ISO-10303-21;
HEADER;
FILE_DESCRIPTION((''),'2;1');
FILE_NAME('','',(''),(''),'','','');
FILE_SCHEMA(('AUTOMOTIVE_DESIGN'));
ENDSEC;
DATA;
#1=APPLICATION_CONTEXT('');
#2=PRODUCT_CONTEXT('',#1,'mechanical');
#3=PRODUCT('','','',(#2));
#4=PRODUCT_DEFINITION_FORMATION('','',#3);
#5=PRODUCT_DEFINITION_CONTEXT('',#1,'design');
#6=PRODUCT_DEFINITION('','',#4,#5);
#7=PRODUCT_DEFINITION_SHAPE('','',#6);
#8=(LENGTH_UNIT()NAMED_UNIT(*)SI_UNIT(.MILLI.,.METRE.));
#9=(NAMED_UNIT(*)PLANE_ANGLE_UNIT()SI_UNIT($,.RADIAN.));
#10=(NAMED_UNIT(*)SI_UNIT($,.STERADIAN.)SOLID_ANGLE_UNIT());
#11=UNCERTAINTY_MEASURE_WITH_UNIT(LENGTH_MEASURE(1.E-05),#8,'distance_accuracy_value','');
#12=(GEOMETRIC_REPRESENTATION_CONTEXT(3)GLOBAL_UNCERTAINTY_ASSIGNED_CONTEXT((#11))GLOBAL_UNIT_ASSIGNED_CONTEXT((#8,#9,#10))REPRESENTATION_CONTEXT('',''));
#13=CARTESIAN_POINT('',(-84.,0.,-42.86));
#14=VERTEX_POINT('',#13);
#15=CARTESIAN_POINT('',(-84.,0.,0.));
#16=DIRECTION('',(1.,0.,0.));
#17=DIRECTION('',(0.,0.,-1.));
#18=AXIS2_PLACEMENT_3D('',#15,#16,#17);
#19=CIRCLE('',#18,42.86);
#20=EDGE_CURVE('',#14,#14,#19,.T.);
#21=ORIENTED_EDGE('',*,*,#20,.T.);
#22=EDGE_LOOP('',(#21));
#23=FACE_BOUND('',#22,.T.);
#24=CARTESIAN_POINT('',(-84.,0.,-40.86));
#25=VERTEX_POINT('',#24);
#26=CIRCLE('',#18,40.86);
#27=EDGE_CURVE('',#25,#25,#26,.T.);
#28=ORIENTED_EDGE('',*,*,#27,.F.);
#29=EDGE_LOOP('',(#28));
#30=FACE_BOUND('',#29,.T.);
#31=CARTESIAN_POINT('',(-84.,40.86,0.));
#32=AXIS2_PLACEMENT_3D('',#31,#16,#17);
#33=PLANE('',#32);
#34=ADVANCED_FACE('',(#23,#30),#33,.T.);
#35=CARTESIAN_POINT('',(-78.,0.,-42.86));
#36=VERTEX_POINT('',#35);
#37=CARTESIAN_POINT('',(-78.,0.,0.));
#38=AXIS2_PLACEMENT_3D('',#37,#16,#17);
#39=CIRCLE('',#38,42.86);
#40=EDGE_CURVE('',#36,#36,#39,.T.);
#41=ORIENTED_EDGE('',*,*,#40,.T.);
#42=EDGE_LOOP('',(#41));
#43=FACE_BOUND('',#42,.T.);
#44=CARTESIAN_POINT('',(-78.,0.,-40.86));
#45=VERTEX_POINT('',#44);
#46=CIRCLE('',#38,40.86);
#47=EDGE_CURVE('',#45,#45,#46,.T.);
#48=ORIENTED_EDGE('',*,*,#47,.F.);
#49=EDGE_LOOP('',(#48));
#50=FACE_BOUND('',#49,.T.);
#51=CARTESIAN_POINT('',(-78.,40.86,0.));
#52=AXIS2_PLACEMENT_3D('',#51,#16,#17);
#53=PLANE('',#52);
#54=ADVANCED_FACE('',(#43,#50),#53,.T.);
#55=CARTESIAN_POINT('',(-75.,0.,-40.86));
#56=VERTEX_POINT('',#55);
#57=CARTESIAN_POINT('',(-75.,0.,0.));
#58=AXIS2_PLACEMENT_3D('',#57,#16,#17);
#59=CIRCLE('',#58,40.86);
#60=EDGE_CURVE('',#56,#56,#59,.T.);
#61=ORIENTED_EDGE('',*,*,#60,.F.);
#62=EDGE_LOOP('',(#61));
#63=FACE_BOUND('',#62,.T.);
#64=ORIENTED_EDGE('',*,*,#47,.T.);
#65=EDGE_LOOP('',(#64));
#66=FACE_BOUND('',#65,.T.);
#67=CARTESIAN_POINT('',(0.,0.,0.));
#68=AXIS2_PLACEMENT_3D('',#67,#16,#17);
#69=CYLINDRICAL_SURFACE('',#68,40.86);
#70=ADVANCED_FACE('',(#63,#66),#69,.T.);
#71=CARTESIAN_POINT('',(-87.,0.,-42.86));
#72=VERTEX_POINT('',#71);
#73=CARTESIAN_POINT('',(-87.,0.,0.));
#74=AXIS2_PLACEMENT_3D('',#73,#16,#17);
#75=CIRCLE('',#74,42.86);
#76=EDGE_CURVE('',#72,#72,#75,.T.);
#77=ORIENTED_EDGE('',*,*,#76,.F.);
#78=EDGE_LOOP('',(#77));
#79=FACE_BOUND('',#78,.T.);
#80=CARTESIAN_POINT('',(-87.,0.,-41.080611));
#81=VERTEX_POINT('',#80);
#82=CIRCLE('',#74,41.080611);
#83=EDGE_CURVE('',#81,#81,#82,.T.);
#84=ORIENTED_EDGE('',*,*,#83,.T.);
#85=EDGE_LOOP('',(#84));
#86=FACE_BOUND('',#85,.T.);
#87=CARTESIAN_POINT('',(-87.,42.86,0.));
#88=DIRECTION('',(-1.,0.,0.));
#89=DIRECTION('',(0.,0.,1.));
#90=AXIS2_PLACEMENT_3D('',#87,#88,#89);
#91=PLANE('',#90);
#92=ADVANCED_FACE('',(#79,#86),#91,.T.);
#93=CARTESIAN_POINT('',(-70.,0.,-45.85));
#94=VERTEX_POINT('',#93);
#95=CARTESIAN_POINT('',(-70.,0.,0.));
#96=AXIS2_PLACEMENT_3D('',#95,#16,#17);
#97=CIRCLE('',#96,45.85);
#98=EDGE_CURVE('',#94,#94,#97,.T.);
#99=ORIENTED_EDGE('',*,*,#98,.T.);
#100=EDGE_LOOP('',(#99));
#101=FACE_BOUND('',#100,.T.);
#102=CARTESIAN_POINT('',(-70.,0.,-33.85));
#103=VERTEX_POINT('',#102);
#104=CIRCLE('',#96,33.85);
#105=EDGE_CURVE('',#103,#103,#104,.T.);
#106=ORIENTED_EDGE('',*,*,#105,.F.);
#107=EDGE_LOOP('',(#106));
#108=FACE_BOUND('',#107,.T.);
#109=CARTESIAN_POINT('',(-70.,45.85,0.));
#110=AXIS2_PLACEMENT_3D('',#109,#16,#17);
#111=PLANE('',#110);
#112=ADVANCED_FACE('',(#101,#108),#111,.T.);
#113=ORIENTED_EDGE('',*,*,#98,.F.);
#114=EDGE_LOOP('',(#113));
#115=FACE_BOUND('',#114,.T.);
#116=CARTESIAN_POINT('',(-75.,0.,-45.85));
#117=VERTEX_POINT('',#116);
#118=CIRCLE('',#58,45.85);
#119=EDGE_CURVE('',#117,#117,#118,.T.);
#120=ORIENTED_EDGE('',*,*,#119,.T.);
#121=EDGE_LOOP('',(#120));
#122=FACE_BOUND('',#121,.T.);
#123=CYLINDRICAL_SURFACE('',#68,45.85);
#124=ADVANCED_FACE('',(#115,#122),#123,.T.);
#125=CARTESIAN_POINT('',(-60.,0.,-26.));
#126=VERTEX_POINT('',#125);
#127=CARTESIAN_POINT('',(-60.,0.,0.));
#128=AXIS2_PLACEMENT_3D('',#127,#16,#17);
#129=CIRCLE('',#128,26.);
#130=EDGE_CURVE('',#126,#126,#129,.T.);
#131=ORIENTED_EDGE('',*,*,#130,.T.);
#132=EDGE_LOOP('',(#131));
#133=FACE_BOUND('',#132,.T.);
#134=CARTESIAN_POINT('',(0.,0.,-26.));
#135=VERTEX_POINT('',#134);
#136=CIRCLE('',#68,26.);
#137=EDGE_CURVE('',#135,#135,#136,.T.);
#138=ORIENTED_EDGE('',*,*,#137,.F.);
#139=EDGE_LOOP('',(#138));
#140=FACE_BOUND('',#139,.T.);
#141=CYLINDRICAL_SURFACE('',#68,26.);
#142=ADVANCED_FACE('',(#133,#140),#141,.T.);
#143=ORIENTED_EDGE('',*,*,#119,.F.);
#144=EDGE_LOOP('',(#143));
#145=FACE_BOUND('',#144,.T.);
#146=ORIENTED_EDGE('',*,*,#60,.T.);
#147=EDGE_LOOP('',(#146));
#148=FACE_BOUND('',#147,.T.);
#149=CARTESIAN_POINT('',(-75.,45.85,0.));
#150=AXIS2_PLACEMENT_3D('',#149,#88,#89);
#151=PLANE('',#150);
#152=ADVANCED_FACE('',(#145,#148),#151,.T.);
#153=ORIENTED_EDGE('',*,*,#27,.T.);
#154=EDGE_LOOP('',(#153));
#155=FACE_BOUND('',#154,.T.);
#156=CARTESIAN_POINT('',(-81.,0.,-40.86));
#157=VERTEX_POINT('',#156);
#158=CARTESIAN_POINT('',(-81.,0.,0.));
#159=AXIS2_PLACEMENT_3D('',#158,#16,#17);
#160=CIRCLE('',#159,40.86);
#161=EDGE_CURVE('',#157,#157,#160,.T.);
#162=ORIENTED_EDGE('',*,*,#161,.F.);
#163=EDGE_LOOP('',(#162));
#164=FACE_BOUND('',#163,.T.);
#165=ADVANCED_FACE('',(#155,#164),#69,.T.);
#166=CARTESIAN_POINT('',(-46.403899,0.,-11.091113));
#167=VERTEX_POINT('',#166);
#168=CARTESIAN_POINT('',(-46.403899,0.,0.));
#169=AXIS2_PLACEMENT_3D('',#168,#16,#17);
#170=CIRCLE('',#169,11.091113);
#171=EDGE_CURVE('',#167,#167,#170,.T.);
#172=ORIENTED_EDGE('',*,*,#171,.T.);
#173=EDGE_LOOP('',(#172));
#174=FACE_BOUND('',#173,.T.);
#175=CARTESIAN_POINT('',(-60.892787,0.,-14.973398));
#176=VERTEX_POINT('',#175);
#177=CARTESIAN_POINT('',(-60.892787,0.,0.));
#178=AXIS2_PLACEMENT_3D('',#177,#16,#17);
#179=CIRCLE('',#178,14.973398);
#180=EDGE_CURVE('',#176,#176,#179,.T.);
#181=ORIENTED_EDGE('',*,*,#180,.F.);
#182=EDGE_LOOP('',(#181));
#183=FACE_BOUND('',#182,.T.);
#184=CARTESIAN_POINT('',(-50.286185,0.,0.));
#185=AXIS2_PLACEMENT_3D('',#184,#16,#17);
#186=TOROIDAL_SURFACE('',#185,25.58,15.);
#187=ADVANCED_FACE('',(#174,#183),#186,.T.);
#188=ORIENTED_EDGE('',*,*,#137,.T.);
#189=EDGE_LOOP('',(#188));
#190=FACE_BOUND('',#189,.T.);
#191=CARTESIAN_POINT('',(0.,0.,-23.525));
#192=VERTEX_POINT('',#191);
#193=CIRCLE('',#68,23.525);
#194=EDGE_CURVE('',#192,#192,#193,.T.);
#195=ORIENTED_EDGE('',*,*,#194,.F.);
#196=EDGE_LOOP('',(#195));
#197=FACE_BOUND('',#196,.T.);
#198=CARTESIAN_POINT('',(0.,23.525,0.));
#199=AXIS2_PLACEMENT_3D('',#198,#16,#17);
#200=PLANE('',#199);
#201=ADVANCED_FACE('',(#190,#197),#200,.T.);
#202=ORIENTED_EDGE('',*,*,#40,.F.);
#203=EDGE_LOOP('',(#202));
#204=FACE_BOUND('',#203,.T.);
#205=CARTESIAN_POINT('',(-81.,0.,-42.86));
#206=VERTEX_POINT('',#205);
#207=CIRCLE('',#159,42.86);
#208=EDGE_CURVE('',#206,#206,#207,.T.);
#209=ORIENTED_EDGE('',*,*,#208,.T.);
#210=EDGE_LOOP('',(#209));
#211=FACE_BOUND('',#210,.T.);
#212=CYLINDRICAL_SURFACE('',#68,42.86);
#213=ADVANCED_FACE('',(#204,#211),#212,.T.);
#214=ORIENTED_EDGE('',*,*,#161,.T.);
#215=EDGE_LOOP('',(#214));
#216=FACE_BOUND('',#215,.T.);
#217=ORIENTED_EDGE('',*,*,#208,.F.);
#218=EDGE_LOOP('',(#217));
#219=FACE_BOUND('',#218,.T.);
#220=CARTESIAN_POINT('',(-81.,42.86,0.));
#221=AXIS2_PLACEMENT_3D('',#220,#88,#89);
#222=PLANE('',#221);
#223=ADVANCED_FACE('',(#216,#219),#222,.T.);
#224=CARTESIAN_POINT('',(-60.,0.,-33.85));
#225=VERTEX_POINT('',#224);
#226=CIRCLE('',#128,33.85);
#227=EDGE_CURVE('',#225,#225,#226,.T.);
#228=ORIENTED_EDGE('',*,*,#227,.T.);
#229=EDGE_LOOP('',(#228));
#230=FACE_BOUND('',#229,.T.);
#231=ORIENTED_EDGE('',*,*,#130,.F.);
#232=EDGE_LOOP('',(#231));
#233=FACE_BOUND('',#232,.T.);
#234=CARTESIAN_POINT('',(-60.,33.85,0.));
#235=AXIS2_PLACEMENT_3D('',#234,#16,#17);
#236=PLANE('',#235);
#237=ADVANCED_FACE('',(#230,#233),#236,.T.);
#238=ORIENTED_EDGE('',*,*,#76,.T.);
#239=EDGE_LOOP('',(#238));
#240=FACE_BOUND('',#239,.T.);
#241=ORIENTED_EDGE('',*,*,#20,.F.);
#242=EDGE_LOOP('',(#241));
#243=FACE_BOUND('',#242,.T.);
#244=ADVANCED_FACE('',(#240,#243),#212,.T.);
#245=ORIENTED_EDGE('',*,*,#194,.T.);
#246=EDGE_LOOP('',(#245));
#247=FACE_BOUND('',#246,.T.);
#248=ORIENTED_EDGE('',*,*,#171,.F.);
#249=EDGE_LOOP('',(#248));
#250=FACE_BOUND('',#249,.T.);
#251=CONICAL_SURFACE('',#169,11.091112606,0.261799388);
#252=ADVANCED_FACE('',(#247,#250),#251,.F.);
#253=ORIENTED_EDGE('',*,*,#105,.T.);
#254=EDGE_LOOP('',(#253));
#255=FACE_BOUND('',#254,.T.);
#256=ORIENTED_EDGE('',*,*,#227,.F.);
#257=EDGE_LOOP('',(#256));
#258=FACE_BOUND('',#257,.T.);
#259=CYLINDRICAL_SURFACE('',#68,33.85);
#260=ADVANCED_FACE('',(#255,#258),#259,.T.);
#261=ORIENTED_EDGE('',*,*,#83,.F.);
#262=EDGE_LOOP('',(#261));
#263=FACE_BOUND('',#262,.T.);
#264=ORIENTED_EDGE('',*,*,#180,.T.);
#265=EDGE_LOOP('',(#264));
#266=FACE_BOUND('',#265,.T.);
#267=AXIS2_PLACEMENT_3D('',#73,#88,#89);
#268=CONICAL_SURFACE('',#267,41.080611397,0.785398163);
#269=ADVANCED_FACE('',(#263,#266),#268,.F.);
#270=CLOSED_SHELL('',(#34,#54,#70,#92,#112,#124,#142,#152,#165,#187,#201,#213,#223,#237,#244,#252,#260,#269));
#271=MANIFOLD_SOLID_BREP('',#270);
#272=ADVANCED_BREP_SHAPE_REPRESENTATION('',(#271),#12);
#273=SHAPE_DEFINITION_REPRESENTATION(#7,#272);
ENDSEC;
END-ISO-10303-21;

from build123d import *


with BuildPart() as part:
    # Sketch1 → Revolve1 (revolve)
    with BuildSketch(Plane.XY):
        with BuildLine():
            Line((-87, 41.080611397), (-60.892786886, 14.973398282))
            ThreePointArc((-60.892786886, 14.973398282), (-54.168470844, 11.091112606), (-46.403899491, 11.091112606))
            Line((-46.403899491, 11.091112606), (0, 23.525))
            Line((0, 23.525), (0, 26))
            Line((0, 26), (-60, 26))
            Line((-60, 26), (-60, 33.85))
            Line((-60, 33.85), (-70, 33.85))
            Line((-70, 33.85), (-70, 45.85))
            Line((-70, 45.85), (-75, 45.85))
            Line((-75, 45.85), (-75, 40.86))
            Line((-75, 40.86), (-78, 40.86))
            Line((-78, 40.86), (-78, 42.86))
            Line((-78, 42.86), (-81, 42.86))
            Line((-81, 42.86), (-81, 40.86))
            Line((-81, 40.86), (-84, 40.86))
            Line((-84, 40.86), (-84, 42.86))
            Line((-84, 42.86), (-87, 42.86))
            Line((-87, 42.86), (-87, 41.080611397))
        make_face()
    revolve(axis=Axis((0, 0, 0), (-1, 0, 0)))


solid = part.part
